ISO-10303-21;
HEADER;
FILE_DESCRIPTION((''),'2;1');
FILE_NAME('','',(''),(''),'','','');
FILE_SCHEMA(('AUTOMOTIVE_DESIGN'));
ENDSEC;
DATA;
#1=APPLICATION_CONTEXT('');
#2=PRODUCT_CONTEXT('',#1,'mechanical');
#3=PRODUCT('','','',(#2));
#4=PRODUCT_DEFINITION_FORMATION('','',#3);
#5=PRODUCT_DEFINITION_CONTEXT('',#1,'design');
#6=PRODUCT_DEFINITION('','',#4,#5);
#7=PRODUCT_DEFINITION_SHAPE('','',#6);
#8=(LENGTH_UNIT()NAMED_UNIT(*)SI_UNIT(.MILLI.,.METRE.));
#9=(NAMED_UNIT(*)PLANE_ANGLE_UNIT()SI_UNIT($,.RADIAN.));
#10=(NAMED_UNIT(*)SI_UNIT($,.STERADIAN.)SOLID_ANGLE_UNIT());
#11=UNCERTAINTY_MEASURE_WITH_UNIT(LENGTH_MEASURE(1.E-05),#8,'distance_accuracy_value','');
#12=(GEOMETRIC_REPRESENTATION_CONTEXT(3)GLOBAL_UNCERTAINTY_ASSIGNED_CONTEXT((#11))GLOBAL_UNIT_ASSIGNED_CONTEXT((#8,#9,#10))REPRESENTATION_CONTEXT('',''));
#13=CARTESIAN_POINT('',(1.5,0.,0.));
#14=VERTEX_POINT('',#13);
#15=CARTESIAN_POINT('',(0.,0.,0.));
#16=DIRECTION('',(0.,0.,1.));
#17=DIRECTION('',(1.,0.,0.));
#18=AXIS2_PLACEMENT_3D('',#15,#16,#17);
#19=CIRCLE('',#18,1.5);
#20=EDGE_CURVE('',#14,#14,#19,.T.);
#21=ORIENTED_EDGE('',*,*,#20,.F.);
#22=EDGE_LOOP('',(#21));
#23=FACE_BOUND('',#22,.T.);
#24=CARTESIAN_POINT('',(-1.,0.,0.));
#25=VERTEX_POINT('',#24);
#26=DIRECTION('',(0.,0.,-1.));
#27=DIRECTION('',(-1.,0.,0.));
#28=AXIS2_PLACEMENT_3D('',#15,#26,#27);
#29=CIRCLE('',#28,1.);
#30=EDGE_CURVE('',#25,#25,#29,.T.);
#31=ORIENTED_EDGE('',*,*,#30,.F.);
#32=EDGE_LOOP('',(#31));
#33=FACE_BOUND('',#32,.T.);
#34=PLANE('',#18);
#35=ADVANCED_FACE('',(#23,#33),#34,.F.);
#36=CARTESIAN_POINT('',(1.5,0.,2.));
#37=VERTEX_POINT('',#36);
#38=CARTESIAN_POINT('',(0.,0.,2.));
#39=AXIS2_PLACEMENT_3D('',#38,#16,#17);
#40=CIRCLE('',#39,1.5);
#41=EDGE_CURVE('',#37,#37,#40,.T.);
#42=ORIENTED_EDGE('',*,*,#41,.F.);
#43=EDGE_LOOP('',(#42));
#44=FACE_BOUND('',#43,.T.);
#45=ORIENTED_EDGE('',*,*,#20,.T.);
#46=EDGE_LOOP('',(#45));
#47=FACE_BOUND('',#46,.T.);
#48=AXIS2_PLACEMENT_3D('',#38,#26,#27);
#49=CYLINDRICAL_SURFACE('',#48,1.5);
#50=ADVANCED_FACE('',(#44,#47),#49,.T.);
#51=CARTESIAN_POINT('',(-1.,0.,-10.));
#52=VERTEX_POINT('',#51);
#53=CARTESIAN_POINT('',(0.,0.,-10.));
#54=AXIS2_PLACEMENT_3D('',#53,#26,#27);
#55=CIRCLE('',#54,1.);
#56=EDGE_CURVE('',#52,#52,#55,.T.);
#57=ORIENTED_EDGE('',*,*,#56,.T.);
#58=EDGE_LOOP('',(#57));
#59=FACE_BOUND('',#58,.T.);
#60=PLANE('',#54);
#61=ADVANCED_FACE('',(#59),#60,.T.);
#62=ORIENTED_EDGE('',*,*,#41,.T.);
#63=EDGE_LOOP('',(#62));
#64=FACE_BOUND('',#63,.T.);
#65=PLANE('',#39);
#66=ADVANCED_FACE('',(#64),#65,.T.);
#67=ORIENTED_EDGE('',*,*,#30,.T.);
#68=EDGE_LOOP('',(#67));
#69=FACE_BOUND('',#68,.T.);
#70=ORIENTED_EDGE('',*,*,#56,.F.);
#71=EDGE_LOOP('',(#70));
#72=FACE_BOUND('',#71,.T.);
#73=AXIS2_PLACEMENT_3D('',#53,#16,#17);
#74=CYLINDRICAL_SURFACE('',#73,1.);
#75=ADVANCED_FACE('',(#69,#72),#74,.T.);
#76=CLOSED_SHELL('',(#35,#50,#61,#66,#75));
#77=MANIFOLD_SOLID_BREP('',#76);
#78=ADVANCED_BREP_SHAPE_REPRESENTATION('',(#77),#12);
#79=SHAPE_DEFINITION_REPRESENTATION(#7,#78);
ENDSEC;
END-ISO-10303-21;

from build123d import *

# Parameters (mm, degrees)
SKETCH_1_R      = 1.5
EXTRUDE_1_DEPTH = 2
SKETCH_2_R      = 1
EXTRUDE_3_DEPTH = 10


with BuildPart() as part:
    # 草图1 → 凸台-拉伸1 (new body)
    with BuildSketch(Plane.XY):
        Circle(SKETCH_1_R)
    extrude(amount=EXTRUDE_1_DEPTH)

    # 草图2 → 凸台-拉伸3 (add)
    with BuildSketch(Plane(origin=(0, 0, 0), x_dir=(-1, 0, 0), z_dir=(0, 0, -1))):
        Circle(SKETCH_2_R)
    extrude(amount=EXTRUDE_3_DEPTH)


solid = part.part
